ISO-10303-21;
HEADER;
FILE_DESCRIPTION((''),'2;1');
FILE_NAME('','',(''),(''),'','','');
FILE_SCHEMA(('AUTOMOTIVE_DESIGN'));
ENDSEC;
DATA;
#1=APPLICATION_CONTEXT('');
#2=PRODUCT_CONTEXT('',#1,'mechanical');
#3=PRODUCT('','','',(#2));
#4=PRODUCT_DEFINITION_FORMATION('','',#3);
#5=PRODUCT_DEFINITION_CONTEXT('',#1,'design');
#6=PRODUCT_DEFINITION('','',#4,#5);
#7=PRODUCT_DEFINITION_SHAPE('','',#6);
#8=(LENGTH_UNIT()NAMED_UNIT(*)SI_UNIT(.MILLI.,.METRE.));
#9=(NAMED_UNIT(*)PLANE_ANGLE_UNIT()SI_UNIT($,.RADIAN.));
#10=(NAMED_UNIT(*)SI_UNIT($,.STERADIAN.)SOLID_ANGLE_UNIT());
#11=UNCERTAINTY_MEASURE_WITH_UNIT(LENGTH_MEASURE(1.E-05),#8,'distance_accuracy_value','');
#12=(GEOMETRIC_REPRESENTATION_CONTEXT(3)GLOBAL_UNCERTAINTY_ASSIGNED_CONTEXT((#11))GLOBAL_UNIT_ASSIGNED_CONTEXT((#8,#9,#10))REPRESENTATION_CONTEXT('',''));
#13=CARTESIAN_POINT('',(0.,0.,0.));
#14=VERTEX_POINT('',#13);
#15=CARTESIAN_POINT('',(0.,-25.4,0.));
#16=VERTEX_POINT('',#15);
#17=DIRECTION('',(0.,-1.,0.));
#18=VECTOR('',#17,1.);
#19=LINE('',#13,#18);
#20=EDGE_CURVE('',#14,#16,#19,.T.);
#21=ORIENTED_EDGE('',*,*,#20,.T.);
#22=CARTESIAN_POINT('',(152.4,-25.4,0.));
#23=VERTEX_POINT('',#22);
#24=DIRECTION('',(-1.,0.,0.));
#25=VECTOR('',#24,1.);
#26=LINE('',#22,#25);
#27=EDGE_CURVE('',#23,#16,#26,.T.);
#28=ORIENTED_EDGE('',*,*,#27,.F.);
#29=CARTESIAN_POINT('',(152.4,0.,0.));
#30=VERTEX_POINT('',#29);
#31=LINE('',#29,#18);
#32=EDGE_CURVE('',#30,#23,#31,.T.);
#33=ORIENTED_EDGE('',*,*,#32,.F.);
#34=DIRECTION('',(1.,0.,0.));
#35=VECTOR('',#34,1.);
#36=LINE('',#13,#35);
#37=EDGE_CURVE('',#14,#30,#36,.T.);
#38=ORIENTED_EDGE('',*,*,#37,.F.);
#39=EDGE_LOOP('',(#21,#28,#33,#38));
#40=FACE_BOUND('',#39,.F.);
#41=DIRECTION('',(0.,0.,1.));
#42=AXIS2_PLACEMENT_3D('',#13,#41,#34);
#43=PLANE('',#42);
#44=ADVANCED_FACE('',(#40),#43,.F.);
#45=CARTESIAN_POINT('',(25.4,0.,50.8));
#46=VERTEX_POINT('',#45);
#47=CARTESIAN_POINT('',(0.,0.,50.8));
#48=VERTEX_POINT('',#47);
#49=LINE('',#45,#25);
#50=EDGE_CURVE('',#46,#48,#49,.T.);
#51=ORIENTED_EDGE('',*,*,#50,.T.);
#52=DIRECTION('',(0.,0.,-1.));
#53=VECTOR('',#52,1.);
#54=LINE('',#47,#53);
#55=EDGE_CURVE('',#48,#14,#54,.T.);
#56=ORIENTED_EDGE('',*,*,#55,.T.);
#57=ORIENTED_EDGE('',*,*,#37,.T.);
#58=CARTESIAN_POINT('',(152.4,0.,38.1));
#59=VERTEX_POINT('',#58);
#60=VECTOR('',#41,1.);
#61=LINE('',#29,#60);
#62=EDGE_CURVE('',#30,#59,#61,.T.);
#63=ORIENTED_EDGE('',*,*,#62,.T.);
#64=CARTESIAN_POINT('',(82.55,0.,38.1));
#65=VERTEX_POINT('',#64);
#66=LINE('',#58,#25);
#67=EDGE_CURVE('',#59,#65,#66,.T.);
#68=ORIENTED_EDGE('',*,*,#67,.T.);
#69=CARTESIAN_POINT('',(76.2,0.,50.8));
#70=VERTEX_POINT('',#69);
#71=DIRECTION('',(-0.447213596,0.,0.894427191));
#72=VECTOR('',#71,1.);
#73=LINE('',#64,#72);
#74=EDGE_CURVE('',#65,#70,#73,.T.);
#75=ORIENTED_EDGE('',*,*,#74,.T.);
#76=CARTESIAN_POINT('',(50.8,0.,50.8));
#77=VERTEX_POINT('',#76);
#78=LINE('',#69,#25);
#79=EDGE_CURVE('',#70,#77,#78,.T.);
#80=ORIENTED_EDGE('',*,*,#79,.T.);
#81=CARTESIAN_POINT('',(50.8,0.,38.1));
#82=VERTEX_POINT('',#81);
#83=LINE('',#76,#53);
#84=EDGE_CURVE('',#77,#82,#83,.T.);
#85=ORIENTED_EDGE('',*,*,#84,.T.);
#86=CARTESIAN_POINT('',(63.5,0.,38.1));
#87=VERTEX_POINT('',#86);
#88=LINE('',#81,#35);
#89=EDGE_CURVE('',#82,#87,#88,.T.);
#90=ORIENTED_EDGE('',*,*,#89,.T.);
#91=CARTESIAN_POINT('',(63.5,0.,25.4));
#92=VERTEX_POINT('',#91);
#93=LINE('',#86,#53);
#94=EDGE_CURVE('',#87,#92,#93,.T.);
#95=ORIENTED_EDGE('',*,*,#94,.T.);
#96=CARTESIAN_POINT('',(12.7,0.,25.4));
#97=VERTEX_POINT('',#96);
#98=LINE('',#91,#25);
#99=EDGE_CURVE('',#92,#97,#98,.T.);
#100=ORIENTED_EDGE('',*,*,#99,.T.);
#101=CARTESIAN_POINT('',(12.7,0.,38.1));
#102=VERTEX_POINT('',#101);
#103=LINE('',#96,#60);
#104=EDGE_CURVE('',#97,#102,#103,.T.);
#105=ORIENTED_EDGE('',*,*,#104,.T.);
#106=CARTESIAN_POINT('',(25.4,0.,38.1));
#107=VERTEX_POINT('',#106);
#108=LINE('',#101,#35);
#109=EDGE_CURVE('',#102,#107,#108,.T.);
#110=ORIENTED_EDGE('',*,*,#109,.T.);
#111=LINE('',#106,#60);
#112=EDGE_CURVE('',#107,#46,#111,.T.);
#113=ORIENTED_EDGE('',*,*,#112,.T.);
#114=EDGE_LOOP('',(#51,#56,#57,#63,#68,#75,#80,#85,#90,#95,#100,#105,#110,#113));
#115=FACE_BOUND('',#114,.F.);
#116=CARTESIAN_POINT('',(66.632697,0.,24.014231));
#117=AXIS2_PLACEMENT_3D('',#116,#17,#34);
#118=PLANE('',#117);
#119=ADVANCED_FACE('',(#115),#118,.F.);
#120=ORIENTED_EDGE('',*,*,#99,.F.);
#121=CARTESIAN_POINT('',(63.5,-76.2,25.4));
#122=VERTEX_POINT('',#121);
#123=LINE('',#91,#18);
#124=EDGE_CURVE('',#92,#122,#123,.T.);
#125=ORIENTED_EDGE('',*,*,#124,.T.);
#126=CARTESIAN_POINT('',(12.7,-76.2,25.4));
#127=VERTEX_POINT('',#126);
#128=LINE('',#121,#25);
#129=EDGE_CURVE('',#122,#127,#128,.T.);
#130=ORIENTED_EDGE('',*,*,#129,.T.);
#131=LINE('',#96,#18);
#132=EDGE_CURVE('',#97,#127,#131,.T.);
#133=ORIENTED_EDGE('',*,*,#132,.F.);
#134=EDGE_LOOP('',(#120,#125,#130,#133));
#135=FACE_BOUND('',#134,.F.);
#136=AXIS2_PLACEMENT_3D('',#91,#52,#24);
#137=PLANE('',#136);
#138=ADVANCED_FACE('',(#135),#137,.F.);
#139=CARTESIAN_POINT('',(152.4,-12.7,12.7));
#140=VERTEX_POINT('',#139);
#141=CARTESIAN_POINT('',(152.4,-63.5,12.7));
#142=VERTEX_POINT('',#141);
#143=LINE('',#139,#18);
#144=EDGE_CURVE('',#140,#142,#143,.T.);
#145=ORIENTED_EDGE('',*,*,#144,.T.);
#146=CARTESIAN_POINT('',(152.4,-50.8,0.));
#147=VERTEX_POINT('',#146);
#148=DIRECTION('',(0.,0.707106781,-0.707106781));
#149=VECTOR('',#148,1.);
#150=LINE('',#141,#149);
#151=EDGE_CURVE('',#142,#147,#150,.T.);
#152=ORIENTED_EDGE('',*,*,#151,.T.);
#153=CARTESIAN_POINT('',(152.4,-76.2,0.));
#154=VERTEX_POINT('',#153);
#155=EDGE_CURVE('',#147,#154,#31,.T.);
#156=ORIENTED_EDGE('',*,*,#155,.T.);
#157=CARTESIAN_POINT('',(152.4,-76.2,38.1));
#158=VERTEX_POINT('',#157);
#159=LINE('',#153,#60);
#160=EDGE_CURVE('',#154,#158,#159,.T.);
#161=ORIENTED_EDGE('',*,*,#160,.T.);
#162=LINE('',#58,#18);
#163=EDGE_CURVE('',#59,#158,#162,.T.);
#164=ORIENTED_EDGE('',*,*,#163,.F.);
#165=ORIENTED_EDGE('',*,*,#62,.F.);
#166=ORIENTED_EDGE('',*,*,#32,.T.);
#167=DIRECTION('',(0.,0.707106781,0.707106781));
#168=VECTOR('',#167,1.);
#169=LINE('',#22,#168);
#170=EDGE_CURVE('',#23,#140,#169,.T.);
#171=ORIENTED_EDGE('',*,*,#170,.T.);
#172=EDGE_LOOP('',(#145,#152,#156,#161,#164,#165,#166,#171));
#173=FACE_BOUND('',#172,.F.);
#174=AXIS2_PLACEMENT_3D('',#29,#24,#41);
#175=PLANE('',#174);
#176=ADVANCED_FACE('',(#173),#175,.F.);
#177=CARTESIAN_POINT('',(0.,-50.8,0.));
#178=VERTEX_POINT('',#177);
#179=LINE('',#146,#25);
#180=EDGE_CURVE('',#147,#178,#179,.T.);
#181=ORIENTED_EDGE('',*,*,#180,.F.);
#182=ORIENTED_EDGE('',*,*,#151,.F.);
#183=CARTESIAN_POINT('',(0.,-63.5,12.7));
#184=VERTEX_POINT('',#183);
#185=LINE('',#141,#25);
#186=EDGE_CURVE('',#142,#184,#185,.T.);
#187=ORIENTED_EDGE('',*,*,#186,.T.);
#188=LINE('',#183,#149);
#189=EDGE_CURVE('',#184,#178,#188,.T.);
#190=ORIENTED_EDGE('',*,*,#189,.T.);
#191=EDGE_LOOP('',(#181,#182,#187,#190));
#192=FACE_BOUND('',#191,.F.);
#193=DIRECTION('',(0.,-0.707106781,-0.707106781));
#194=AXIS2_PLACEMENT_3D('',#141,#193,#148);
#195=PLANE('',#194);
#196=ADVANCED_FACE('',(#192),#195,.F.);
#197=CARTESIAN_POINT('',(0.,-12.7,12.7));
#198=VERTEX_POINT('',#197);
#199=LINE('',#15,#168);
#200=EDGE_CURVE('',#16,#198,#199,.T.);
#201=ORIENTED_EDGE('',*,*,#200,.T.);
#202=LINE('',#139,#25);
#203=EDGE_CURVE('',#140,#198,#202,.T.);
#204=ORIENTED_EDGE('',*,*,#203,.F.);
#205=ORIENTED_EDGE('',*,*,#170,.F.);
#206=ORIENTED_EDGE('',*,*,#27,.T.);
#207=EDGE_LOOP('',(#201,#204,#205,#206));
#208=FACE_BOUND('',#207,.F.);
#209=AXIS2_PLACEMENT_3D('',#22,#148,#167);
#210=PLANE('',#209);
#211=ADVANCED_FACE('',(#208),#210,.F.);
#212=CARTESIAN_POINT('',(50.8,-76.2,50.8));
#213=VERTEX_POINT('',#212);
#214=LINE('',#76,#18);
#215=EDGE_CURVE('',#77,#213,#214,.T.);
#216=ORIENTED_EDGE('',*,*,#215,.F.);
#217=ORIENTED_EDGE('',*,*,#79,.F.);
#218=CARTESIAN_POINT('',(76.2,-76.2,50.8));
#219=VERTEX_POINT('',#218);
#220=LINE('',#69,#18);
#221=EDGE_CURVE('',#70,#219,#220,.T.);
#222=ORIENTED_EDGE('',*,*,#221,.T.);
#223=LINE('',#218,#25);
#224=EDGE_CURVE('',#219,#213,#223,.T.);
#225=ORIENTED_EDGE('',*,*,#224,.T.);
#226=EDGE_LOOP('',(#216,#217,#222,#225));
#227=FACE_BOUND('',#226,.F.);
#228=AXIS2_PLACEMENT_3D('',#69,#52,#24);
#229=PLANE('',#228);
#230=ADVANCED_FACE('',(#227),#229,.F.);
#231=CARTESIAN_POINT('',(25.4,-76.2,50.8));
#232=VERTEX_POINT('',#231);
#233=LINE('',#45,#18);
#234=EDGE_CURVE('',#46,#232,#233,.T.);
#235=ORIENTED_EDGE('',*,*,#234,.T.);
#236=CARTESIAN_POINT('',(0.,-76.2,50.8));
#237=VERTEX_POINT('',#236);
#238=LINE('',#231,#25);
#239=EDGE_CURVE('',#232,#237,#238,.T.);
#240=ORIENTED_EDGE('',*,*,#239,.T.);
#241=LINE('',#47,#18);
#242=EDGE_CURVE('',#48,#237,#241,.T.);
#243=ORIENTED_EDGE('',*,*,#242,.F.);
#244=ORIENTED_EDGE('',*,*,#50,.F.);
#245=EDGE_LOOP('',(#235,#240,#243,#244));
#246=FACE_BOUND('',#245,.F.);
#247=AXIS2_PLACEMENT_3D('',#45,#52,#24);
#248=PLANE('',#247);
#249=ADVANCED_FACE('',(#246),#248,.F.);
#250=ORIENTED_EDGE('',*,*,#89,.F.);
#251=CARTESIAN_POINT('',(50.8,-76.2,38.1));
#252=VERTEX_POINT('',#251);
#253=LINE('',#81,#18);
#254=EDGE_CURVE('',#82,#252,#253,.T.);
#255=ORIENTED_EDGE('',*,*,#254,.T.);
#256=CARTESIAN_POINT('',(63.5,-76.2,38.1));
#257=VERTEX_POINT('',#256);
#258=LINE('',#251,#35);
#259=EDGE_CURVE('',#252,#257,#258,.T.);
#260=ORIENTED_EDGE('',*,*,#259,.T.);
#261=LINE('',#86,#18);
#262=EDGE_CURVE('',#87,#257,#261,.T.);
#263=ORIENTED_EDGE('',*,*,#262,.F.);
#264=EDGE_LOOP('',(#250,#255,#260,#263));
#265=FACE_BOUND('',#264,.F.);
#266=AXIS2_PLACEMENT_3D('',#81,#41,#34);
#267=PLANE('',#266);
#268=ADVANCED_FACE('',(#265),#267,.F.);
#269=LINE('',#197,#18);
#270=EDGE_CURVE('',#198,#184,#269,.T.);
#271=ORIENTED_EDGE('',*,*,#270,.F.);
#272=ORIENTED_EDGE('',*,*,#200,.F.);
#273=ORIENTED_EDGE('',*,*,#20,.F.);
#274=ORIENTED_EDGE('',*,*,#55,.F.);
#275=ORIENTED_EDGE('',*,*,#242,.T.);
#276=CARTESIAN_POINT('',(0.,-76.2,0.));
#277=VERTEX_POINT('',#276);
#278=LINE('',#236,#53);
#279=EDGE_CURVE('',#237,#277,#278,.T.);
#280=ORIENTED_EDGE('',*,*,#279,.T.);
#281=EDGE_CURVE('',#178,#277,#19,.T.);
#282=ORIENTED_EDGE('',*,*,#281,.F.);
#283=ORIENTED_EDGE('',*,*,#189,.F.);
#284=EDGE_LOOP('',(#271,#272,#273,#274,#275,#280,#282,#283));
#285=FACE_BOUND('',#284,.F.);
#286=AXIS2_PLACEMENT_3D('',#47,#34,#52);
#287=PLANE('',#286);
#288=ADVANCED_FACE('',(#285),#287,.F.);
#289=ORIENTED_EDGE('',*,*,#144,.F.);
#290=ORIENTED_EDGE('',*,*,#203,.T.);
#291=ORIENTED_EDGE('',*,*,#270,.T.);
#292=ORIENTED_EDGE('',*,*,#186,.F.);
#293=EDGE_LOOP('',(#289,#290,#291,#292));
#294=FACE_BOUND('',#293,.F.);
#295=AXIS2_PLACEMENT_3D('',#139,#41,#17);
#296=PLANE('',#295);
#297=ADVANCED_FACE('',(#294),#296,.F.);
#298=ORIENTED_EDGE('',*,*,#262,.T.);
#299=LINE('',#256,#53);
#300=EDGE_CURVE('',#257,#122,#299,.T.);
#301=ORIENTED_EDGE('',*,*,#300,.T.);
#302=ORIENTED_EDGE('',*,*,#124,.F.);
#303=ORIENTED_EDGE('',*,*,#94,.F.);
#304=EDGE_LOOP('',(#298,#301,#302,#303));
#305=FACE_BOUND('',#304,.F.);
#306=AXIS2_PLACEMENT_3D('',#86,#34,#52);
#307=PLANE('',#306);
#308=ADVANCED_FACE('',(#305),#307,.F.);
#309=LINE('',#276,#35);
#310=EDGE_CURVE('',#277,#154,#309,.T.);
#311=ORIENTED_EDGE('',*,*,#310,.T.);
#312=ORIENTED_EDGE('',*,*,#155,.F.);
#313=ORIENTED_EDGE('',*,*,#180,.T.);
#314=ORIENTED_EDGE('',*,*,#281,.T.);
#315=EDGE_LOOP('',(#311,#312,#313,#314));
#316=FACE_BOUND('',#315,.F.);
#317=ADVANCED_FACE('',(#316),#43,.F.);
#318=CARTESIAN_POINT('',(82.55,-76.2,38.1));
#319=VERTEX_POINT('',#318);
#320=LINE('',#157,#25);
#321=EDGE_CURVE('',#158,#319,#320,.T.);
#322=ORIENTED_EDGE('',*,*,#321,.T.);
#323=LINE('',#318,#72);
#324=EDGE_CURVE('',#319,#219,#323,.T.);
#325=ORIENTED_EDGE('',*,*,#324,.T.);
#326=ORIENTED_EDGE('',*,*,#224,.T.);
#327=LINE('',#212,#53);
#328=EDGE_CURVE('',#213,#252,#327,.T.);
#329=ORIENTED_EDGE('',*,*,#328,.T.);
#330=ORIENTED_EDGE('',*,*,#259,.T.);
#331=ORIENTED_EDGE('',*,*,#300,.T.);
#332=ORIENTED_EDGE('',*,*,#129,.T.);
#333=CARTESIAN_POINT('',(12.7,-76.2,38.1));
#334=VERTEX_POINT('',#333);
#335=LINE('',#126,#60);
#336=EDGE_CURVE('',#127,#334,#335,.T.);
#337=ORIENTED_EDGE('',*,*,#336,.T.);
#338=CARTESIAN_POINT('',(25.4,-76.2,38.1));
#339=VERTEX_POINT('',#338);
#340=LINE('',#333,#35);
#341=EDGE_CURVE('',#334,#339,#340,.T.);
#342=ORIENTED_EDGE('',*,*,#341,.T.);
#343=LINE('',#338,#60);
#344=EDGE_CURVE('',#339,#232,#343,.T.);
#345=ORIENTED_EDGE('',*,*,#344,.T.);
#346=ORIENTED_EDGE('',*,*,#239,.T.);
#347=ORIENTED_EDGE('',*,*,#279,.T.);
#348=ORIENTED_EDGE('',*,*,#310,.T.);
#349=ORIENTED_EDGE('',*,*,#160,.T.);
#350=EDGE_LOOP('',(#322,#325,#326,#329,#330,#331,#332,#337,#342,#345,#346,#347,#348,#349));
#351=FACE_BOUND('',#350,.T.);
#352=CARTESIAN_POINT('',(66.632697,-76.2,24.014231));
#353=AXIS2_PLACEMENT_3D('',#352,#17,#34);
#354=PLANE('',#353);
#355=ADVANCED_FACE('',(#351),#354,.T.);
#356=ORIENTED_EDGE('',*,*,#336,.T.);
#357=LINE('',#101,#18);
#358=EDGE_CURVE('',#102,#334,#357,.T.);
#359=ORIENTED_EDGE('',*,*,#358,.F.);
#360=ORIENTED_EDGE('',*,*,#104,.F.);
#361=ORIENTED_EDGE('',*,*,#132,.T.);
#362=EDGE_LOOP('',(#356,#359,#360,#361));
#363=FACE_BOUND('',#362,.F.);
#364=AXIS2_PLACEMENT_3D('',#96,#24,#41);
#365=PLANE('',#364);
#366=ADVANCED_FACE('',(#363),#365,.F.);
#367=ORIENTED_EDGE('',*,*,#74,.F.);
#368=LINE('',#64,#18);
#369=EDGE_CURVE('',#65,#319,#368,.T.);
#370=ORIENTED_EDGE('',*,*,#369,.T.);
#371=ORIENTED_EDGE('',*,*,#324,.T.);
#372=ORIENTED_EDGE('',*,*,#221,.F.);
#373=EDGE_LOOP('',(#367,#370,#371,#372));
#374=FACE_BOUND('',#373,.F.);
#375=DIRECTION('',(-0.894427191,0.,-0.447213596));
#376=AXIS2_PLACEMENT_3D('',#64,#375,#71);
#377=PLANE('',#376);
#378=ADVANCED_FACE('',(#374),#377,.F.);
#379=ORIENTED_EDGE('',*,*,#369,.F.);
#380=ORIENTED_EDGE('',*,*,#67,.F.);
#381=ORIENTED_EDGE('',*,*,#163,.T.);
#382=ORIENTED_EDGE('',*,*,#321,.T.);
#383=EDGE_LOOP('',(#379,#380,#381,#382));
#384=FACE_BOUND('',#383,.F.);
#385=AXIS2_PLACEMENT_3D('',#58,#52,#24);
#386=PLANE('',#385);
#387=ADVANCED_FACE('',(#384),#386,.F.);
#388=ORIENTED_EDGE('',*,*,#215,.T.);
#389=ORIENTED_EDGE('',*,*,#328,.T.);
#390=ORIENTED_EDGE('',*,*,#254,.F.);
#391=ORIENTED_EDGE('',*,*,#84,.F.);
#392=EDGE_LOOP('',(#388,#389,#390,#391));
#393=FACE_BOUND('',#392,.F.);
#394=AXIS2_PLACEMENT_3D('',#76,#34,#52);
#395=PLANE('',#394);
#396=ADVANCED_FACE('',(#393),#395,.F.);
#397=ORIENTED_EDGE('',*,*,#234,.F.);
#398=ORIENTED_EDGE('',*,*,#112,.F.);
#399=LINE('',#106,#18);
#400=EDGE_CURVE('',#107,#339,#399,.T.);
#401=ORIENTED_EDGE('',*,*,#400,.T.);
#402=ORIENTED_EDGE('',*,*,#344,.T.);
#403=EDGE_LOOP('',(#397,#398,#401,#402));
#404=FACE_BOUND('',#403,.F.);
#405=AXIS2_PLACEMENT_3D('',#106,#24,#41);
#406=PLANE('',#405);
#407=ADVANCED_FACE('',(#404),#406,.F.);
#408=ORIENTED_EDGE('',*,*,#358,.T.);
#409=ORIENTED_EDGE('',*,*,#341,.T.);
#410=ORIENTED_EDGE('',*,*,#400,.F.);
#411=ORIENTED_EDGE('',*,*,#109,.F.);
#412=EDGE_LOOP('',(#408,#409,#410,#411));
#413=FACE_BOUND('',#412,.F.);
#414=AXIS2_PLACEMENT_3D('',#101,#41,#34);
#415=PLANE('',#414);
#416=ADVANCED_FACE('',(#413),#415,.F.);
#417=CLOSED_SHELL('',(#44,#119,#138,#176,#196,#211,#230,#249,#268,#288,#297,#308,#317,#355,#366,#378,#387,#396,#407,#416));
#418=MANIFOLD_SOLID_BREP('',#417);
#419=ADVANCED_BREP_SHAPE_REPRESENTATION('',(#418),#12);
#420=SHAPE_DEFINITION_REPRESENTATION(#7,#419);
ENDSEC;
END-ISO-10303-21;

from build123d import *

# Parameters (mm, degrees)
F1_DEPTH = 76.2
F3_DEPTH = 152.4


with BuildPart() as f1:
    # F0 (on Front) → F1 (new body)
    with BuildSketch(Plane.XZ):
        Polygon((0, 50.8), (0, 0), (152.4, 0), (152.4, 38.1), (82.55, 38.1), (76.2, 50.8), (50.8, 50.8), (50.8, 38.1), (63.5, 38.1), (63.5, 25.4), (12.7, 25.4), (12.7, 38.1), (25.4, 38.1), (25.4, 50.8), align=None)
    extrude(amount=F1_DEPTH)

    # F2 (on face) → F3 (cut)
    with BuildSketch(Plane.YZ.offset(152.4)):
        Polygon((-25.4, 0), (-12.7, 12.7), (-63.5, 12.7), (-50.8, 0), align=None)
    extrude(amount=-F3_DEPTH, mode=Mode.SUBTRACT)


solid = f1.part
